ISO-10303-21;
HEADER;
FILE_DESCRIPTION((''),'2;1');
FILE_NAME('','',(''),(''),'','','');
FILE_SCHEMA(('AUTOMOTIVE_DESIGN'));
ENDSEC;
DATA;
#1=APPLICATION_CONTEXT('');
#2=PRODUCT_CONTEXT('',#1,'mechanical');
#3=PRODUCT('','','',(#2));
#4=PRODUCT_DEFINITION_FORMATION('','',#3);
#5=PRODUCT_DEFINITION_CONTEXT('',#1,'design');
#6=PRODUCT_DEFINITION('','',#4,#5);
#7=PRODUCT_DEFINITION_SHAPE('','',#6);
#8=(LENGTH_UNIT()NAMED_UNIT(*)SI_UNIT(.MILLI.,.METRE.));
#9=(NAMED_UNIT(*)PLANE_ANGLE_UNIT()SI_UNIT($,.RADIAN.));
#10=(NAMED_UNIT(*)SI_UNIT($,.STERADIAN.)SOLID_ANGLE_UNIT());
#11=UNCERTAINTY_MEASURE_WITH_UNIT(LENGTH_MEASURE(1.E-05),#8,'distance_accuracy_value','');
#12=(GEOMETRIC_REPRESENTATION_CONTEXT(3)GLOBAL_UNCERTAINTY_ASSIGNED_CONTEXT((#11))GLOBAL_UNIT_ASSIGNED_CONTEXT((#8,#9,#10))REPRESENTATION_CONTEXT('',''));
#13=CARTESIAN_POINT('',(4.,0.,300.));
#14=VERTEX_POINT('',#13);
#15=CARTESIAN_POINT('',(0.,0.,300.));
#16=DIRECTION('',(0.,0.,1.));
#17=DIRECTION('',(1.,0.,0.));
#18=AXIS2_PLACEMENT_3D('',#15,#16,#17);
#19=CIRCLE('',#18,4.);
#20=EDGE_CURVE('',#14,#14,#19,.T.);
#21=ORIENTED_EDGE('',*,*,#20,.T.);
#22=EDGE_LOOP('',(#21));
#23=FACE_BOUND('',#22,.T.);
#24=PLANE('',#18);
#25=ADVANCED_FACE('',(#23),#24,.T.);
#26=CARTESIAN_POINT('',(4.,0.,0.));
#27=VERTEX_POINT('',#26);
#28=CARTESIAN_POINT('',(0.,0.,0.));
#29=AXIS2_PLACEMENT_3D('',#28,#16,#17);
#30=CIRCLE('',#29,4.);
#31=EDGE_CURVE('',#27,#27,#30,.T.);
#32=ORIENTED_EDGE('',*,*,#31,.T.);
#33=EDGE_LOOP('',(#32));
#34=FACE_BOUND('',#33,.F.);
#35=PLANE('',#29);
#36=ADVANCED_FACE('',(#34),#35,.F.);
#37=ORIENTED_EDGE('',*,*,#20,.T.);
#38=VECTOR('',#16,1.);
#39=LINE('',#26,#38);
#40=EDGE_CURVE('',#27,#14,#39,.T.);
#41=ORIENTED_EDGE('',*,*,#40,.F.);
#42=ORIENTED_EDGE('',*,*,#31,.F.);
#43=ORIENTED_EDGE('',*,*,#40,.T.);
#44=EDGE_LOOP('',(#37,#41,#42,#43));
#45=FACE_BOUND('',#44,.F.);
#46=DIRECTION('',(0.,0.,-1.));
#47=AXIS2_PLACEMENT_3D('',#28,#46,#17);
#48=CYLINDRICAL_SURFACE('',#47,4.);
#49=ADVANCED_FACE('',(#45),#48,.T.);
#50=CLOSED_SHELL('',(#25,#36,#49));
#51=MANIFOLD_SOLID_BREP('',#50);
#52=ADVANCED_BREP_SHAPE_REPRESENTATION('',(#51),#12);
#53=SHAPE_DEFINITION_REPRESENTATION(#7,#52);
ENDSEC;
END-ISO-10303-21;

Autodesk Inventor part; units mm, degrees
ref_plane "YZ Plane" through (0, 0, 0) normal (1, 0, 0) x (0, 1, 0)
ref_plane "XZ Plane" through (0, 0, 0) normal (0, 1, 0) x (-1, 0, 0)
ref_plane "XY Plane" through (0, 0, 0) normal (0, 0, 1) x (1, 0, 0)
sketch "Sketch1" plane through (0, 0, 0) normal (0, 0, 1) x (1, 0, 0)
  circle A0 centre (0, 0) radius 4
  dimension "d0" = 8
extrude "Extrusion1" add sketch "Sketch1" along normal blind 300
properties part number "Axel"
